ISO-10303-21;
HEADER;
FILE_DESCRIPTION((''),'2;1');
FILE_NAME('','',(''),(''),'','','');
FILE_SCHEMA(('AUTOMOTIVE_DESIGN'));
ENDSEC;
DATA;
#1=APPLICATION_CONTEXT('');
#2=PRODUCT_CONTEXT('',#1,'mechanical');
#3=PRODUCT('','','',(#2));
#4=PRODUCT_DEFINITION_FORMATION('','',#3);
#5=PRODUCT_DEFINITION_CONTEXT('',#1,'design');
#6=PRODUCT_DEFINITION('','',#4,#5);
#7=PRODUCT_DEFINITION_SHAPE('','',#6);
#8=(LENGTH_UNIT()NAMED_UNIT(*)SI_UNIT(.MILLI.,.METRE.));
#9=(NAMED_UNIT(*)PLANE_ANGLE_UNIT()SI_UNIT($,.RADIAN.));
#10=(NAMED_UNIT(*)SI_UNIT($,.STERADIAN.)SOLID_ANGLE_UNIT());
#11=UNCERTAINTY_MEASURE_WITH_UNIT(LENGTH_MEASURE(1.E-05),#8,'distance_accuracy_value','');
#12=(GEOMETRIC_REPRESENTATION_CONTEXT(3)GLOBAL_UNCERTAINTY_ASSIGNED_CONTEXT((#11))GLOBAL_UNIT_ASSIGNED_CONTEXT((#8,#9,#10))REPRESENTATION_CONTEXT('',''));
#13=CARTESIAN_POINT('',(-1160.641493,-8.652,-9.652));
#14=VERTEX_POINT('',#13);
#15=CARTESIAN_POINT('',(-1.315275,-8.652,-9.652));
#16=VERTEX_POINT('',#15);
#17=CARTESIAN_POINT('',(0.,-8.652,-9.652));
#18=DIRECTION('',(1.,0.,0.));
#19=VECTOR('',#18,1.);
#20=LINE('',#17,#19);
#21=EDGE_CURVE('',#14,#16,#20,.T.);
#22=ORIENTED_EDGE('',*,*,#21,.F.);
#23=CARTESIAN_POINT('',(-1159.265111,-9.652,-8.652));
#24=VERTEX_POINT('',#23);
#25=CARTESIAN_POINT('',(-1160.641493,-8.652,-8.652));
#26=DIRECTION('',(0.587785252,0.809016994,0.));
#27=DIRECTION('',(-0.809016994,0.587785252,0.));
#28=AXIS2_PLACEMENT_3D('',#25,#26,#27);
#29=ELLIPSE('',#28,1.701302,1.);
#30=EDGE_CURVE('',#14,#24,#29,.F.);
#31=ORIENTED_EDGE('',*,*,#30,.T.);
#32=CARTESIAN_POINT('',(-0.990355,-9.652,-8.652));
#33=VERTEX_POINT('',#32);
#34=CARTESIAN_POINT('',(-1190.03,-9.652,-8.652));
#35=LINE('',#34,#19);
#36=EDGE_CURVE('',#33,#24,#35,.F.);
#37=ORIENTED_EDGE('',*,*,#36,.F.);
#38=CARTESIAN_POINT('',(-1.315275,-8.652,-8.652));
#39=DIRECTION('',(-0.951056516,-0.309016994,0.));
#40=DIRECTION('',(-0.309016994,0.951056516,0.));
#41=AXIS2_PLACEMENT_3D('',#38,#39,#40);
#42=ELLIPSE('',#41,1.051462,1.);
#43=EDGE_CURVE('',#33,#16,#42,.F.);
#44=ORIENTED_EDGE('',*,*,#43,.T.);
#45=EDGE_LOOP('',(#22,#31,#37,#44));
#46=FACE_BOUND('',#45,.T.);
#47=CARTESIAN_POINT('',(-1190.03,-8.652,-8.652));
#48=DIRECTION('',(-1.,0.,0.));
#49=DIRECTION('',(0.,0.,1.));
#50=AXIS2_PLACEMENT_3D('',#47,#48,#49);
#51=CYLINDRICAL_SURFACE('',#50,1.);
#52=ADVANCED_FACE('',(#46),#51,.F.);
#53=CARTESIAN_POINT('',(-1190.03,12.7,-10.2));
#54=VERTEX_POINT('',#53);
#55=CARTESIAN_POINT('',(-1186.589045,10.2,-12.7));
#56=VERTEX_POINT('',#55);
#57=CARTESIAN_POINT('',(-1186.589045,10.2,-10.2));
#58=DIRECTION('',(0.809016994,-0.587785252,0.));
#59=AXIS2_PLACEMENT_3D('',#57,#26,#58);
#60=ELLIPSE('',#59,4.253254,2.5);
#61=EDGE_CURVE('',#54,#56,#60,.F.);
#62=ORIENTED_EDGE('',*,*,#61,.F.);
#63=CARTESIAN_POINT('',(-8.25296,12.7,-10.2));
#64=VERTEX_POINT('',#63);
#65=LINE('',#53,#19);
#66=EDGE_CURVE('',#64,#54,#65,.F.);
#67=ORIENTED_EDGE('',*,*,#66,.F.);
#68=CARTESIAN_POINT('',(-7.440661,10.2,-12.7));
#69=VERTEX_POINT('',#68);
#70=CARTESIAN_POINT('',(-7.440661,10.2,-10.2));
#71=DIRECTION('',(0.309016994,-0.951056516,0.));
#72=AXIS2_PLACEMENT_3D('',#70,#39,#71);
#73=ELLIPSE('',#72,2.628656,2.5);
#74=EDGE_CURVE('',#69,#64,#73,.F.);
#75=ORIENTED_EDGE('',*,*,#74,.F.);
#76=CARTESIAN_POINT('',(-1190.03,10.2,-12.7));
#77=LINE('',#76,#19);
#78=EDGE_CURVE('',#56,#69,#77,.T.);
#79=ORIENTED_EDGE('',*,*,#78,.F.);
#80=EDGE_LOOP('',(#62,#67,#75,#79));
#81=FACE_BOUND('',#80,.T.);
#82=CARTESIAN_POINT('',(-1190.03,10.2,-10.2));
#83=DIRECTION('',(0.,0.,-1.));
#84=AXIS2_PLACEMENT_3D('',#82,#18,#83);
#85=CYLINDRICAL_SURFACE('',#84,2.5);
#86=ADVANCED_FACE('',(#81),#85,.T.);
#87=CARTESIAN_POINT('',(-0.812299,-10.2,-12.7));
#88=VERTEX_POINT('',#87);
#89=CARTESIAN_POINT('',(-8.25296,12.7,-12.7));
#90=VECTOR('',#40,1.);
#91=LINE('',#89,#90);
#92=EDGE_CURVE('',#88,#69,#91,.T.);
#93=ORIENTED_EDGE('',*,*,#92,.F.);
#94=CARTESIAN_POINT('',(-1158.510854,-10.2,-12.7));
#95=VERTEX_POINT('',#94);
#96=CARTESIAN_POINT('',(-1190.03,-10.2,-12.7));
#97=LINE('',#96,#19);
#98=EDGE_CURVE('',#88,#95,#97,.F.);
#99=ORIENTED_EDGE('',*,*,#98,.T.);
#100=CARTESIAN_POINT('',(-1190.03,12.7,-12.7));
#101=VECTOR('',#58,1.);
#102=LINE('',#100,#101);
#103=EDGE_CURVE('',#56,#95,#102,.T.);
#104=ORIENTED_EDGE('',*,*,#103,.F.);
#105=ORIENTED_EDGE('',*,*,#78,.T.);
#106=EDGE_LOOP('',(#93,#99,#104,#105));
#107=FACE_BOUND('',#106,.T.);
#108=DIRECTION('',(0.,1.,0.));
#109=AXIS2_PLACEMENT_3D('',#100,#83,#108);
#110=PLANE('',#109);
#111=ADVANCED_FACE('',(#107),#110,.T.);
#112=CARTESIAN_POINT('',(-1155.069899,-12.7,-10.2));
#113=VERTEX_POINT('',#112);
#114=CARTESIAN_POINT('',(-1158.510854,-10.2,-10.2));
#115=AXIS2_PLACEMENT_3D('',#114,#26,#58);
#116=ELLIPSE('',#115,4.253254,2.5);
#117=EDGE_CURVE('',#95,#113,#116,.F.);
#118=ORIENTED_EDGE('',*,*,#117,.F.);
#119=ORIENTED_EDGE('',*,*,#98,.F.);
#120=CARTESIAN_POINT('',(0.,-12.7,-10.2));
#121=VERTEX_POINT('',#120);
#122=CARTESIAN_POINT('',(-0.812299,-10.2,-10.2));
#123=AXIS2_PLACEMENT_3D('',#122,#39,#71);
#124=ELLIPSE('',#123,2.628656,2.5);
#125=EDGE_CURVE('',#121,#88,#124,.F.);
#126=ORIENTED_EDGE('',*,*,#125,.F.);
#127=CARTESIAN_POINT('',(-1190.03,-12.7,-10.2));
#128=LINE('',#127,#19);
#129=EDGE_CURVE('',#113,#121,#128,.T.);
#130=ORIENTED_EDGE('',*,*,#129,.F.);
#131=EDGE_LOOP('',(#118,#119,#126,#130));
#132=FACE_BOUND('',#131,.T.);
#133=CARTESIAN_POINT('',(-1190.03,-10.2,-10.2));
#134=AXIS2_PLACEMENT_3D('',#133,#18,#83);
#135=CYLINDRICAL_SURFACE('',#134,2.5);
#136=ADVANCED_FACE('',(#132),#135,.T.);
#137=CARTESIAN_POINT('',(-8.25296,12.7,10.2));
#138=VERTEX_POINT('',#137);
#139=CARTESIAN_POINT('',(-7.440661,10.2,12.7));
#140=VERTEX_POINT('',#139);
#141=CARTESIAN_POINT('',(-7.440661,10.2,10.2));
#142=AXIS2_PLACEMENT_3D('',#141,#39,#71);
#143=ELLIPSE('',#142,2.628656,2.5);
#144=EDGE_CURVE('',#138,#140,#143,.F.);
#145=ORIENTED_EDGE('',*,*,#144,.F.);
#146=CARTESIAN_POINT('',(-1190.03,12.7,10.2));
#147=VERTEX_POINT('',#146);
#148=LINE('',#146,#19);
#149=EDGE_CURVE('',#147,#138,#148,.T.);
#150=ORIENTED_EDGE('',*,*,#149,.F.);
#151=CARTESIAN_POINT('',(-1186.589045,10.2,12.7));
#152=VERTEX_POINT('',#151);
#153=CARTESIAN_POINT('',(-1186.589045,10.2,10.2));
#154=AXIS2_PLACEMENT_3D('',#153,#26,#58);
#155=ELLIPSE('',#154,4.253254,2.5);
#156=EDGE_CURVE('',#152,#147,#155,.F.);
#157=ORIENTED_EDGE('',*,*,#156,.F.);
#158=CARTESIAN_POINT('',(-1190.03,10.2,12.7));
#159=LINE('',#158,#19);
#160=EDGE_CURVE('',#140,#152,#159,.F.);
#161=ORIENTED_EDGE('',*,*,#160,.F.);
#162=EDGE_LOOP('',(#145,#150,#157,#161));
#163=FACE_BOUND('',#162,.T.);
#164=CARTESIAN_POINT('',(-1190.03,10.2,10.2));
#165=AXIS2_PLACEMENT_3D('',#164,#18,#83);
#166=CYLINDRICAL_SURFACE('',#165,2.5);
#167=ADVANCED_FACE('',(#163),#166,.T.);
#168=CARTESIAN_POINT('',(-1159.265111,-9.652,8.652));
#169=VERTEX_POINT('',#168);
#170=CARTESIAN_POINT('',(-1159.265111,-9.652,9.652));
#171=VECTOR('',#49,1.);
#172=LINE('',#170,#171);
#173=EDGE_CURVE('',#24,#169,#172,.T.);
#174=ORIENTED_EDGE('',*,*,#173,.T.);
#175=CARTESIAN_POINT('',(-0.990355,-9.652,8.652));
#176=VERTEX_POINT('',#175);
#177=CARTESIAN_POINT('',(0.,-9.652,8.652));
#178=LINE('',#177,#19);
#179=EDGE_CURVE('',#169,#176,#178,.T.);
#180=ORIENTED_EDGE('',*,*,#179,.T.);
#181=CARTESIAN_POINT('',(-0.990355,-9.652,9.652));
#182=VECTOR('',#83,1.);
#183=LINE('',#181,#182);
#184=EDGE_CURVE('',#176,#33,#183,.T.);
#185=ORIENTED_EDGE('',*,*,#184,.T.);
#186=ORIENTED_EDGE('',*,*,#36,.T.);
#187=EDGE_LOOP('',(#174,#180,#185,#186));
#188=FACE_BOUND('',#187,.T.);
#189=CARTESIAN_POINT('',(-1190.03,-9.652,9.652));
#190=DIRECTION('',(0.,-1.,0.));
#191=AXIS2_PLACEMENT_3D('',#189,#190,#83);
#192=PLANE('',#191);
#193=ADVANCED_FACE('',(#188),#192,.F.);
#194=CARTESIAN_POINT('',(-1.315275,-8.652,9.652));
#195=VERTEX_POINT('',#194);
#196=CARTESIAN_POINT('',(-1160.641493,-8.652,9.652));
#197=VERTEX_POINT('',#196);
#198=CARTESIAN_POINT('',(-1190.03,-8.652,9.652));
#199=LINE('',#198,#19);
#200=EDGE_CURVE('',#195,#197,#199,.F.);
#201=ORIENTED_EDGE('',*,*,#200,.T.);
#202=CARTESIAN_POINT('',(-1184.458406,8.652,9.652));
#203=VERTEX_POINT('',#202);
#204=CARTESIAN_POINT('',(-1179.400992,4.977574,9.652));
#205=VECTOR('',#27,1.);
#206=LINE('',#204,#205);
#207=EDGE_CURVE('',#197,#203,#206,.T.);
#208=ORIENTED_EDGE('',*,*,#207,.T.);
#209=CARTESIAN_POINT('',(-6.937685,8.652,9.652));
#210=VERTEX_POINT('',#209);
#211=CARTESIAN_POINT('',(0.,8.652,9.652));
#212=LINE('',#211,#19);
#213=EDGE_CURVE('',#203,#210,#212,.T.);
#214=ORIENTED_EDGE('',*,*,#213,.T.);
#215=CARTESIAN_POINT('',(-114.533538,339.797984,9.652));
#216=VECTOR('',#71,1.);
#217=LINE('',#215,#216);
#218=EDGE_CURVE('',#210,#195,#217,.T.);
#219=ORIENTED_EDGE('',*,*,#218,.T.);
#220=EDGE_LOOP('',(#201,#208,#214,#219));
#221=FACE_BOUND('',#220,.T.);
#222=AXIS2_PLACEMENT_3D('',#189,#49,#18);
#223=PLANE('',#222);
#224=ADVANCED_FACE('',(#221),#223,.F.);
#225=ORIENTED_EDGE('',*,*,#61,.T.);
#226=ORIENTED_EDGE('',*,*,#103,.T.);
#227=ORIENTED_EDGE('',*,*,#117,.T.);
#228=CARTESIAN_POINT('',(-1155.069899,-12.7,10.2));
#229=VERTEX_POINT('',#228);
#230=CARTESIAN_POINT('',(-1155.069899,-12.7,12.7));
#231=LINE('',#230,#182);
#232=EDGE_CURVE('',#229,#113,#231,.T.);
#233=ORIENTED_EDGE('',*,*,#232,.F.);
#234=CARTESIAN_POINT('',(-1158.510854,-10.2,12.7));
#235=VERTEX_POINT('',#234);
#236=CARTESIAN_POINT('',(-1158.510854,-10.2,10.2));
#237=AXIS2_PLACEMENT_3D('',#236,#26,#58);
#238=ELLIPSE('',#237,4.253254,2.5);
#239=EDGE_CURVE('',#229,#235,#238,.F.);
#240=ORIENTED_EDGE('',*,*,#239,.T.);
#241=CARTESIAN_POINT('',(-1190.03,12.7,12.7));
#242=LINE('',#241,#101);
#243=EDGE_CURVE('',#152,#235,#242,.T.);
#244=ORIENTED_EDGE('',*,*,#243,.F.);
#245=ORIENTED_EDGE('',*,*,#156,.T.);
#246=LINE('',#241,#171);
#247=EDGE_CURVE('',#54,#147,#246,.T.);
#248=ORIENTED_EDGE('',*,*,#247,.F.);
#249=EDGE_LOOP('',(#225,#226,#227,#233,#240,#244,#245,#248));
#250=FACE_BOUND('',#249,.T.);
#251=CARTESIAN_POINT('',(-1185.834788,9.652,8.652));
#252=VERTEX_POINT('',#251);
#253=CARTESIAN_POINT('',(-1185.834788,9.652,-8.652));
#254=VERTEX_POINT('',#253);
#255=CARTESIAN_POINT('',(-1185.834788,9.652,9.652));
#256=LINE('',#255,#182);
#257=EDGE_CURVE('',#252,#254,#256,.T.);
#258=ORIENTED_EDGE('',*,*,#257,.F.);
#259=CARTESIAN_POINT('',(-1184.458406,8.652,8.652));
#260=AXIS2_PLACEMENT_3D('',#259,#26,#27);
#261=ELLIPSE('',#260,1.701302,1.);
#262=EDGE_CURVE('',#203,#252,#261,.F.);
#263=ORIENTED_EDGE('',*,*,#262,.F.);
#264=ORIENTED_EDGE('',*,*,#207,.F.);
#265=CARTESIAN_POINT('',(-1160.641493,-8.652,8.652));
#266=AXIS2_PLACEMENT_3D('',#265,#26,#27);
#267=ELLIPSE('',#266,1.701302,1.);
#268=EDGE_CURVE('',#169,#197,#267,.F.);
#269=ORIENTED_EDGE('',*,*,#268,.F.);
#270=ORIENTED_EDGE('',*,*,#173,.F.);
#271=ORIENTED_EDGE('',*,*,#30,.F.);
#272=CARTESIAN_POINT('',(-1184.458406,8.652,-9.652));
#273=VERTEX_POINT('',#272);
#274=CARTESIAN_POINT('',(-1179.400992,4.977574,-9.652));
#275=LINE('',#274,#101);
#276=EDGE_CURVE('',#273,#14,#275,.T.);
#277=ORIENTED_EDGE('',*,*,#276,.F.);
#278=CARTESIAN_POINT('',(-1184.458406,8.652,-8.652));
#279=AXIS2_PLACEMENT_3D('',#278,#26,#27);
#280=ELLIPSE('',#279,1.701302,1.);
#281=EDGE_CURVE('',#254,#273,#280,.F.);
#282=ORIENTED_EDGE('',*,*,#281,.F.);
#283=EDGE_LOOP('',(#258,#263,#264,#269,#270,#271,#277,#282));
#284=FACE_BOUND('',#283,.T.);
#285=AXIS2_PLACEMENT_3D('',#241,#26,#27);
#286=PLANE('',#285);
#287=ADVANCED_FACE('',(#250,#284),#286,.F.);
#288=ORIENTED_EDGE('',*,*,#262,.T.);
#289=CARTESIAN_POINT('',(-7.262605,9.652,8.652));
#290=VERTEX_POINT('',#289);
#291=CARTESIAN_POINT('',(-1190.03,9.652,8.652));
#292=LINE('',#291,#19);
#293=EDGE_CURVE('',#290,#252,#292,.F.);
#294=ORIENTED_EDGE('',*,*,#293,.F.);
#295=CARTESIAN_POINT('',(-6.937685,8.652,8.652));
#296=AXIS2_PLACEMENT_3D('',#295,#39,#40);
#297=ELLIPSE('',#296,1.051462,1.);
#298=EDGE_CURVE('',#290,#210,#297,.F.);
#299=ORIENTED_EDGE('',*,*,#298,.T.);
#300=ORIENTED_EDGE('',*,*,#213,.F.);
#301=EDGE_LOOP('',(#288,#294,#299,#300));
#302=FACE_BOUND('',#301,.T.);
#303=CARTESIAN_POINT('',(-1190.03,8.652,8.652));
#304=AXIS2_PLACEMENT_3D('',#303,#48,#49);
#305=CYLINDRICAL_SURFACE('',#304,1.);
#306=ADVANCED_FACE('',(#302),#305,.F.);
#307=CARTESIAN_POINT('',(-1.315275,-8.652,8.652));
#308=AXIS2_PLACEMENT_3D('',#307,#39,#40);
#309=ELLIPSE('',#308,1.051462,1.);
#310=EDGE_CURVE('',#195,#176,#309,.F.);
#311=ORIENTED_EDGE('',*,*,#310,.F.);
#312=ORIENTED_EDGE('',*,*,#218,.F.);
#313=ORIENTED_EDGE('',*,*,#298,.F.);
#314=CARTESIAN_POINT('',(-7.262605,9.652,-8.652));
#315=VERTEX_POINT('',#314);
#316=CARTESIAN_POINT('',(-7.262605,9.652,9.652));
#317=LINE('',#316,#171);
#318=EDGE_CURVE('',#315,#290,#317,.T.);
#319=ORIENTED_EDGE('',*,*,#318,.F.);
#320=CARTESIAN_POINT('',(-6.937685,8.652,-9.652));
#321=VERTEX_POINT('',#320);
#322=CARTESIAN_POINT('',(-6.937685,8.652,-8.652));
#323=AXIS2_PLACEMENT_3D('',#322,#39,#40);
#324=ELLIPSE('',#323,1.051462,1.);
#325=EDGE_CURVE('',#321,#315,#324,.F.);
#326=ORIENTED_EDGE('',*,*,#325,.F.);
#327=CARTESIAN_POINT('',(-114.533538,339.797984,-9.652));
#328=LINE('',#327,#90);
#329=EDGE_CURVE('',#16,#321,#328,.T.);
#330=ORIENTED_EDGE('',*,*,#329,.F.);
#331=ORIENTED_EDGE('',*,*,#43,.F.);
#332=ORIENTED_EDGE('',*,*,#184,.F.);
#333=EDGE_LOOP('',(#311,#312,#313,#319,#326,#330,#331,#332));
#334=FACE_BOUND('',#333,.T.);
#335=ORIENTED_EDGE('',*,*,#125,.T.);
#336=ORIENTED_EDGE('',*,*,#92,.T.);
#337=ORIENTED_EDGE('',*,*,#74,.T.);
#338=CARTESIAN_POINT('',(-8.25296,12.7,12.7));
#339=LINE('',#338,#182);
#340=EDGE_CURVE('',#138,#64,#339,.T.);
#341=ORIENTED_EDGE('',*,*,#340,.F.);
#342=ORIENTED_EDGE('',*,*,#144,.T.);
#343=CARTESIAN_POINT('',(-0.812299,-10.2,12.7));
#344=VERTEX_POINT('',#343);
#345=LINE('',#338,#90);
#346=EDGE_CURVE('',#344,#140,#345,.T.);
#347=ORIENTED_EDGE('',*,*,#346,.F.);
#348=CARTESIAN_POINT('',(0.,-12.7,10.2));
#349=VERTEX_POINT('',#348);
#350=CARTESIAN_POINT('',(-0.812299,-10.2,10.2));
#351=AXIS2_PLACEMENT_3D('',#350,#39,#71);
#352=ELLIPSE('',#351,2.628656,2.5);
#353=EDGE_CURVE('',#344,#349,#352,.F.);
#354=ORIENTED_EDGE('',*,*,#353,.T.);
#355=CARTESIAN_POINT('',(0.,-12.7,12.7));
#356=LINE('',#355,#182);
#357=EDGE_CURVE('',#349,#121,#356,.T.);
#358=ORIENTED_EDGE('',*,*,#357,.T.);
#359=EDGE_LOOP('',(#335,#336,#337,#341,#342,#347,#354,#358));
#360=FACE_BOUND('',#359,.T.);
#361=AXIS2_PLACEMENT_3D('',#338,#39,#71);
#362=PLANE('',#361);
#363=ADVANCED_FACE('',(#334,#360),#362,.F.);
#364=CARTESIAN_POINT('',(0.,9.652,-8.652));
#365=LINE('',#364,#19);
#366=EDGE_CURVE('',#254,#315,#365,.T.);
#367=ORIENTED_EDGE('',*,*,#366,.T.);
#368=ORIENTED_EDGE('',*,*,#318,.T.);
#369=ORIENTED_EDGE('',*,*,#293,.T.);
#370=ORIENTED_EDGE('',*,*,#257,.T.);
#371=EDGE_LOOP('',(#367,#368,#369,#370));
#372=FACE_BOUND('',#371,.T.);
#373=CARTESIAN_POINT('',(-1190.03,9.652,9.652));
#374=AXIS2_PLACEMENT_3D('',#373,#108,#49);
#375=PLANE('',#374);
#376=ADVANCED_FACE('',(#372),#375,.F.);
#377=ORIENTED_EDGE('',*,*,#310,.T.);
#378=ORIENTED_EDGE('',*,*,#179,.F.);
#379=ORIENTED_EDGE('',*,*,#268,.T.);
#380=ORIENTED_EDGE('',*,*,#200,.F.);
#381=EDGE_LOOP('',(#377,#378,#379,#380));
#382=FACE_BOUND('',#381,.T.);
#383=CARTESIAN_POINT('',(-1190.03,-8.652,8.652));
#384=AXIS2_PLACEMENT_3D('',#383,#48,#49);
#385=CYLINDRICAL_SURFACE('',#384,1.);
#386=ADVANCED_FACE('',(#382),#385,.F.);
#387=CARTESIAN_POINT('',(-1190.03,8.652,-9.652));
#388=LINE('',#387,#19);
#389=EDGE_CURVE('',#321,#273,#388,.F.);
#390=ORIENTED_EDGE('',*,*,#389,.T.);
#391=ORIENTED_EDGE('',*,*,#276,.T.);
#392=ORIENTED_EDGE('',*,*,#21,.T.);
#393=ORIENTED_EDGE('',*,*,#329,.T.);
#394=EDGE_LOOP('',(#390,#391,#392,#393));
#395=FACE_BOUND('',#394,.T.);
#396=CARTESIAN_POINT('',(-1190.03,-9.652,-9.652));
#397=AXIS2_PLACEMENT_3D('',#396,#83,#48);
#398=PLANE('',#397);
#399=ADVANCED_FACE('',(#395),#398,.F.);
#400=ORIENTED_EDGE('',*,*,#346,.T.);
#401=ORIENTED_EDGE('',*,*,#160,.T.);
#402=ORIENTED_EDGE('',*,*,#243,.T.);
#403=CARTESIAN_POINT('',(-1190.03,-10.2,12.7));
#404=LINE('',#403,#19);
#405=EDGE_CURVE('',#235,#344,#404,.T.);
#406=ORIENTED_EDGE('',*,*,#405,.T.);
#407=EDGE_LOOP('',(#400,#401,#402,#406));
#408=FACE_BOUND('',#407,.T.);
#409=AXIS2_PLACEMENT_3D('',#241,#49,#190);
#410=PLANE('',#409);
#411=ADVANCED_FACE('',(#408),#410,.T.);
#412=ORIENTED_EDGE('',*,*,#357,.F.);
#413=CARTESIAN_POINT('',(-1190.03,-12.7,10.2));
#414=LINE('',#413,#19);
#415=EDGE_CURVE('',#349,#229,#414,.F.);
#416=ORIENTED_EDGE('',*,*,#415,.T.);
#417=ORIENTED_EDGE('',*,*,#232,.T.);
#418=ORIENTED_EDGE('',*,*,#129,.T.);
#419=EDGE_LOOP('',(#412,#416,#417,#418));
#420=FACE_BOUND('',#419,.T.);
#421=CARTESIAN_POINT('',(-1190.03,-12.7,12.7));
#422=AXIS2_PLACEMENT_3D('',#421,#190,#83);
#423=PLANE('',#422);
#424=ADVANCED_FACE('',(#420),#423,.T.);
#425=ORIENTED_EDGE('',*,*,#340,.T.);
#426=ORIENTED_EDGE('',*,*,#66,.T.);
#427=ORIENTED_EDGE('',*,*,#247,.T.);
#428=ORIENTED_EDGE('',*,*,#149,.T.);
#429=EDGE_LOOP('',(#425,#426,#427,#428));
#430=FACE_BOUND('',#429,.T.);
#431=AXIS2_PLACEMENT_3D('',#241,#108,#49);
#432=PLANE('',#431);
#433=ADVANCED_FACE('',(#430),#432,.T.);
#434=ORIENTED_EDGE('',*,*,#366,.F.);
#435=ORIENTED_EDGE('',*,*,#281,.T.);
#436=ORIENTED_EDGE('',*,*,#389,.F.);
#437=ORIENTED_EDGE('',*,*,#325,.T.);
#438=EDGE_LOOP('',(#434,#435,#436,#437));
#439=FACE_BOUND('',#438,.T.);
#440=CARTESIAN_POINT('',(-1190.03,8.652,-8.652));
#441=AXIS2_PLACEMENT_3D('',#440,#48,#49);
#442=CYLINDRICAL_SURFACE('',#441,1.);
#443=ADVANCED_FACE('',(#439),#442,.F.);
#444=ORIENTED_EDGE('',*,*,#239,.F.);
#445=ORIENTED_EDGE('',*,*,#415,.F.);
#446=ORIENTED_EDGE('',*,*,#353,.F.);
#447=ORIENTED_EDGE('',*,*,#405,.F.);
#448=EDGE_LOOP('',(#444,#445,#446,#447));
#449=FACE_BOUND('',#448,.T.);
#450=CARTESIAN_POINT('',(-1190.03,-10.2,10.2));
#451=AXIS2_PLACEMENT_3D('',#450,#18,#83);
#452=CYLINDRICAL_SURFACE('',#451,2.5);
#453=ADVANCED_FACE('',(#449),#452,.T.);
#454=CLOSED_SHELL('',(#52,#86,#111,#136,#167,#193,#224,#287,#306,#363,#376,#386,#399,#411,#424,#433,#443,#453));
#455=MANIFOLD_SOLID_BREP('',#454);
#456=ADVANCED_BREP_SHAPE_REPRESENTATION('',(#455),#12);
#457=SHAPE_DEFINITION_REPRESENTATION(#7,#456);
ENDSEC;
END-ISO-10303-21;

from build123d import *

# Parameters (mm, degrees)
SKETCH3_W           = 25.4
SKETCH3_H           = 25.4
SKETCH3_W_2         = 19.304
SKETCH3_H_2         = 19.304
BOSS_EXTRUDE1_DEPTH = 1190.03
FILLET1_R           = 2.5
FILLET2_R           = 1
CUT_EXTRUDE1_DEPTH  = 1191.368787771


with BuildPart() as part:
    # Sketch3 → Boss-Extrude1 (new body)
    with BuildSketch(Plane(origin=(0, 0, 0), x_dir=(0, 0, -1), z_dir=(1, 0, 0))):
        Rectangle(SKETCH3_W, SKETCH3_H)
        Rectangle(SKETCH3_W_2, SKETCH3_H_2, mode=Mode.SUBTRACT)
    extrude(amount=-BOSS_EXTRUDE1_DEPTH)

    # Fillet1
    fillet1_edges = [part.edges().sort_by_distance(p)[0] for p in [
        (-595.015, -12.7, -12.7),
        (-595.015, -12.7, 12.7),
        (-595.015, 12.7, 12.7),
        (-595.015, 12.7, -12.7),
    ]]
    fillet(fillet1_edges, radius=FILLET1_R)

    # Fillet2
    fillet2_edges = [part.edges().sort_by_distance(p)[0] for p in [
        (-595.015, 9.652, -9.652),
        (-595.015, -9.652, -9.652),
        (-595.015, -9.652, 9.652),
        (-595.015, 9.652, 9.652),
    ]]
    fillet(fillet2_edges, radius=FILLET2_R)

    # Sketch5 → Cut-Extrude1 (cut, through all)
    with BuildSketch(Plane(origin=(0, 0, -12.7), x_dir=(-1, 0, 0), z_dir=(0, 0, -1))):
        Polygon((1190.03, 12.7), (1155.06989922, -12.7), (1190.03, -12.7), align=None)
        Polygon((0, 12.7), (8.252960284, 12.7), (0, -12.7), align=None)
    extrude(amount=-CUT_EXTRUDE1_DEPTH, mode=Mode.SUBTRACT)


solid = part.part
